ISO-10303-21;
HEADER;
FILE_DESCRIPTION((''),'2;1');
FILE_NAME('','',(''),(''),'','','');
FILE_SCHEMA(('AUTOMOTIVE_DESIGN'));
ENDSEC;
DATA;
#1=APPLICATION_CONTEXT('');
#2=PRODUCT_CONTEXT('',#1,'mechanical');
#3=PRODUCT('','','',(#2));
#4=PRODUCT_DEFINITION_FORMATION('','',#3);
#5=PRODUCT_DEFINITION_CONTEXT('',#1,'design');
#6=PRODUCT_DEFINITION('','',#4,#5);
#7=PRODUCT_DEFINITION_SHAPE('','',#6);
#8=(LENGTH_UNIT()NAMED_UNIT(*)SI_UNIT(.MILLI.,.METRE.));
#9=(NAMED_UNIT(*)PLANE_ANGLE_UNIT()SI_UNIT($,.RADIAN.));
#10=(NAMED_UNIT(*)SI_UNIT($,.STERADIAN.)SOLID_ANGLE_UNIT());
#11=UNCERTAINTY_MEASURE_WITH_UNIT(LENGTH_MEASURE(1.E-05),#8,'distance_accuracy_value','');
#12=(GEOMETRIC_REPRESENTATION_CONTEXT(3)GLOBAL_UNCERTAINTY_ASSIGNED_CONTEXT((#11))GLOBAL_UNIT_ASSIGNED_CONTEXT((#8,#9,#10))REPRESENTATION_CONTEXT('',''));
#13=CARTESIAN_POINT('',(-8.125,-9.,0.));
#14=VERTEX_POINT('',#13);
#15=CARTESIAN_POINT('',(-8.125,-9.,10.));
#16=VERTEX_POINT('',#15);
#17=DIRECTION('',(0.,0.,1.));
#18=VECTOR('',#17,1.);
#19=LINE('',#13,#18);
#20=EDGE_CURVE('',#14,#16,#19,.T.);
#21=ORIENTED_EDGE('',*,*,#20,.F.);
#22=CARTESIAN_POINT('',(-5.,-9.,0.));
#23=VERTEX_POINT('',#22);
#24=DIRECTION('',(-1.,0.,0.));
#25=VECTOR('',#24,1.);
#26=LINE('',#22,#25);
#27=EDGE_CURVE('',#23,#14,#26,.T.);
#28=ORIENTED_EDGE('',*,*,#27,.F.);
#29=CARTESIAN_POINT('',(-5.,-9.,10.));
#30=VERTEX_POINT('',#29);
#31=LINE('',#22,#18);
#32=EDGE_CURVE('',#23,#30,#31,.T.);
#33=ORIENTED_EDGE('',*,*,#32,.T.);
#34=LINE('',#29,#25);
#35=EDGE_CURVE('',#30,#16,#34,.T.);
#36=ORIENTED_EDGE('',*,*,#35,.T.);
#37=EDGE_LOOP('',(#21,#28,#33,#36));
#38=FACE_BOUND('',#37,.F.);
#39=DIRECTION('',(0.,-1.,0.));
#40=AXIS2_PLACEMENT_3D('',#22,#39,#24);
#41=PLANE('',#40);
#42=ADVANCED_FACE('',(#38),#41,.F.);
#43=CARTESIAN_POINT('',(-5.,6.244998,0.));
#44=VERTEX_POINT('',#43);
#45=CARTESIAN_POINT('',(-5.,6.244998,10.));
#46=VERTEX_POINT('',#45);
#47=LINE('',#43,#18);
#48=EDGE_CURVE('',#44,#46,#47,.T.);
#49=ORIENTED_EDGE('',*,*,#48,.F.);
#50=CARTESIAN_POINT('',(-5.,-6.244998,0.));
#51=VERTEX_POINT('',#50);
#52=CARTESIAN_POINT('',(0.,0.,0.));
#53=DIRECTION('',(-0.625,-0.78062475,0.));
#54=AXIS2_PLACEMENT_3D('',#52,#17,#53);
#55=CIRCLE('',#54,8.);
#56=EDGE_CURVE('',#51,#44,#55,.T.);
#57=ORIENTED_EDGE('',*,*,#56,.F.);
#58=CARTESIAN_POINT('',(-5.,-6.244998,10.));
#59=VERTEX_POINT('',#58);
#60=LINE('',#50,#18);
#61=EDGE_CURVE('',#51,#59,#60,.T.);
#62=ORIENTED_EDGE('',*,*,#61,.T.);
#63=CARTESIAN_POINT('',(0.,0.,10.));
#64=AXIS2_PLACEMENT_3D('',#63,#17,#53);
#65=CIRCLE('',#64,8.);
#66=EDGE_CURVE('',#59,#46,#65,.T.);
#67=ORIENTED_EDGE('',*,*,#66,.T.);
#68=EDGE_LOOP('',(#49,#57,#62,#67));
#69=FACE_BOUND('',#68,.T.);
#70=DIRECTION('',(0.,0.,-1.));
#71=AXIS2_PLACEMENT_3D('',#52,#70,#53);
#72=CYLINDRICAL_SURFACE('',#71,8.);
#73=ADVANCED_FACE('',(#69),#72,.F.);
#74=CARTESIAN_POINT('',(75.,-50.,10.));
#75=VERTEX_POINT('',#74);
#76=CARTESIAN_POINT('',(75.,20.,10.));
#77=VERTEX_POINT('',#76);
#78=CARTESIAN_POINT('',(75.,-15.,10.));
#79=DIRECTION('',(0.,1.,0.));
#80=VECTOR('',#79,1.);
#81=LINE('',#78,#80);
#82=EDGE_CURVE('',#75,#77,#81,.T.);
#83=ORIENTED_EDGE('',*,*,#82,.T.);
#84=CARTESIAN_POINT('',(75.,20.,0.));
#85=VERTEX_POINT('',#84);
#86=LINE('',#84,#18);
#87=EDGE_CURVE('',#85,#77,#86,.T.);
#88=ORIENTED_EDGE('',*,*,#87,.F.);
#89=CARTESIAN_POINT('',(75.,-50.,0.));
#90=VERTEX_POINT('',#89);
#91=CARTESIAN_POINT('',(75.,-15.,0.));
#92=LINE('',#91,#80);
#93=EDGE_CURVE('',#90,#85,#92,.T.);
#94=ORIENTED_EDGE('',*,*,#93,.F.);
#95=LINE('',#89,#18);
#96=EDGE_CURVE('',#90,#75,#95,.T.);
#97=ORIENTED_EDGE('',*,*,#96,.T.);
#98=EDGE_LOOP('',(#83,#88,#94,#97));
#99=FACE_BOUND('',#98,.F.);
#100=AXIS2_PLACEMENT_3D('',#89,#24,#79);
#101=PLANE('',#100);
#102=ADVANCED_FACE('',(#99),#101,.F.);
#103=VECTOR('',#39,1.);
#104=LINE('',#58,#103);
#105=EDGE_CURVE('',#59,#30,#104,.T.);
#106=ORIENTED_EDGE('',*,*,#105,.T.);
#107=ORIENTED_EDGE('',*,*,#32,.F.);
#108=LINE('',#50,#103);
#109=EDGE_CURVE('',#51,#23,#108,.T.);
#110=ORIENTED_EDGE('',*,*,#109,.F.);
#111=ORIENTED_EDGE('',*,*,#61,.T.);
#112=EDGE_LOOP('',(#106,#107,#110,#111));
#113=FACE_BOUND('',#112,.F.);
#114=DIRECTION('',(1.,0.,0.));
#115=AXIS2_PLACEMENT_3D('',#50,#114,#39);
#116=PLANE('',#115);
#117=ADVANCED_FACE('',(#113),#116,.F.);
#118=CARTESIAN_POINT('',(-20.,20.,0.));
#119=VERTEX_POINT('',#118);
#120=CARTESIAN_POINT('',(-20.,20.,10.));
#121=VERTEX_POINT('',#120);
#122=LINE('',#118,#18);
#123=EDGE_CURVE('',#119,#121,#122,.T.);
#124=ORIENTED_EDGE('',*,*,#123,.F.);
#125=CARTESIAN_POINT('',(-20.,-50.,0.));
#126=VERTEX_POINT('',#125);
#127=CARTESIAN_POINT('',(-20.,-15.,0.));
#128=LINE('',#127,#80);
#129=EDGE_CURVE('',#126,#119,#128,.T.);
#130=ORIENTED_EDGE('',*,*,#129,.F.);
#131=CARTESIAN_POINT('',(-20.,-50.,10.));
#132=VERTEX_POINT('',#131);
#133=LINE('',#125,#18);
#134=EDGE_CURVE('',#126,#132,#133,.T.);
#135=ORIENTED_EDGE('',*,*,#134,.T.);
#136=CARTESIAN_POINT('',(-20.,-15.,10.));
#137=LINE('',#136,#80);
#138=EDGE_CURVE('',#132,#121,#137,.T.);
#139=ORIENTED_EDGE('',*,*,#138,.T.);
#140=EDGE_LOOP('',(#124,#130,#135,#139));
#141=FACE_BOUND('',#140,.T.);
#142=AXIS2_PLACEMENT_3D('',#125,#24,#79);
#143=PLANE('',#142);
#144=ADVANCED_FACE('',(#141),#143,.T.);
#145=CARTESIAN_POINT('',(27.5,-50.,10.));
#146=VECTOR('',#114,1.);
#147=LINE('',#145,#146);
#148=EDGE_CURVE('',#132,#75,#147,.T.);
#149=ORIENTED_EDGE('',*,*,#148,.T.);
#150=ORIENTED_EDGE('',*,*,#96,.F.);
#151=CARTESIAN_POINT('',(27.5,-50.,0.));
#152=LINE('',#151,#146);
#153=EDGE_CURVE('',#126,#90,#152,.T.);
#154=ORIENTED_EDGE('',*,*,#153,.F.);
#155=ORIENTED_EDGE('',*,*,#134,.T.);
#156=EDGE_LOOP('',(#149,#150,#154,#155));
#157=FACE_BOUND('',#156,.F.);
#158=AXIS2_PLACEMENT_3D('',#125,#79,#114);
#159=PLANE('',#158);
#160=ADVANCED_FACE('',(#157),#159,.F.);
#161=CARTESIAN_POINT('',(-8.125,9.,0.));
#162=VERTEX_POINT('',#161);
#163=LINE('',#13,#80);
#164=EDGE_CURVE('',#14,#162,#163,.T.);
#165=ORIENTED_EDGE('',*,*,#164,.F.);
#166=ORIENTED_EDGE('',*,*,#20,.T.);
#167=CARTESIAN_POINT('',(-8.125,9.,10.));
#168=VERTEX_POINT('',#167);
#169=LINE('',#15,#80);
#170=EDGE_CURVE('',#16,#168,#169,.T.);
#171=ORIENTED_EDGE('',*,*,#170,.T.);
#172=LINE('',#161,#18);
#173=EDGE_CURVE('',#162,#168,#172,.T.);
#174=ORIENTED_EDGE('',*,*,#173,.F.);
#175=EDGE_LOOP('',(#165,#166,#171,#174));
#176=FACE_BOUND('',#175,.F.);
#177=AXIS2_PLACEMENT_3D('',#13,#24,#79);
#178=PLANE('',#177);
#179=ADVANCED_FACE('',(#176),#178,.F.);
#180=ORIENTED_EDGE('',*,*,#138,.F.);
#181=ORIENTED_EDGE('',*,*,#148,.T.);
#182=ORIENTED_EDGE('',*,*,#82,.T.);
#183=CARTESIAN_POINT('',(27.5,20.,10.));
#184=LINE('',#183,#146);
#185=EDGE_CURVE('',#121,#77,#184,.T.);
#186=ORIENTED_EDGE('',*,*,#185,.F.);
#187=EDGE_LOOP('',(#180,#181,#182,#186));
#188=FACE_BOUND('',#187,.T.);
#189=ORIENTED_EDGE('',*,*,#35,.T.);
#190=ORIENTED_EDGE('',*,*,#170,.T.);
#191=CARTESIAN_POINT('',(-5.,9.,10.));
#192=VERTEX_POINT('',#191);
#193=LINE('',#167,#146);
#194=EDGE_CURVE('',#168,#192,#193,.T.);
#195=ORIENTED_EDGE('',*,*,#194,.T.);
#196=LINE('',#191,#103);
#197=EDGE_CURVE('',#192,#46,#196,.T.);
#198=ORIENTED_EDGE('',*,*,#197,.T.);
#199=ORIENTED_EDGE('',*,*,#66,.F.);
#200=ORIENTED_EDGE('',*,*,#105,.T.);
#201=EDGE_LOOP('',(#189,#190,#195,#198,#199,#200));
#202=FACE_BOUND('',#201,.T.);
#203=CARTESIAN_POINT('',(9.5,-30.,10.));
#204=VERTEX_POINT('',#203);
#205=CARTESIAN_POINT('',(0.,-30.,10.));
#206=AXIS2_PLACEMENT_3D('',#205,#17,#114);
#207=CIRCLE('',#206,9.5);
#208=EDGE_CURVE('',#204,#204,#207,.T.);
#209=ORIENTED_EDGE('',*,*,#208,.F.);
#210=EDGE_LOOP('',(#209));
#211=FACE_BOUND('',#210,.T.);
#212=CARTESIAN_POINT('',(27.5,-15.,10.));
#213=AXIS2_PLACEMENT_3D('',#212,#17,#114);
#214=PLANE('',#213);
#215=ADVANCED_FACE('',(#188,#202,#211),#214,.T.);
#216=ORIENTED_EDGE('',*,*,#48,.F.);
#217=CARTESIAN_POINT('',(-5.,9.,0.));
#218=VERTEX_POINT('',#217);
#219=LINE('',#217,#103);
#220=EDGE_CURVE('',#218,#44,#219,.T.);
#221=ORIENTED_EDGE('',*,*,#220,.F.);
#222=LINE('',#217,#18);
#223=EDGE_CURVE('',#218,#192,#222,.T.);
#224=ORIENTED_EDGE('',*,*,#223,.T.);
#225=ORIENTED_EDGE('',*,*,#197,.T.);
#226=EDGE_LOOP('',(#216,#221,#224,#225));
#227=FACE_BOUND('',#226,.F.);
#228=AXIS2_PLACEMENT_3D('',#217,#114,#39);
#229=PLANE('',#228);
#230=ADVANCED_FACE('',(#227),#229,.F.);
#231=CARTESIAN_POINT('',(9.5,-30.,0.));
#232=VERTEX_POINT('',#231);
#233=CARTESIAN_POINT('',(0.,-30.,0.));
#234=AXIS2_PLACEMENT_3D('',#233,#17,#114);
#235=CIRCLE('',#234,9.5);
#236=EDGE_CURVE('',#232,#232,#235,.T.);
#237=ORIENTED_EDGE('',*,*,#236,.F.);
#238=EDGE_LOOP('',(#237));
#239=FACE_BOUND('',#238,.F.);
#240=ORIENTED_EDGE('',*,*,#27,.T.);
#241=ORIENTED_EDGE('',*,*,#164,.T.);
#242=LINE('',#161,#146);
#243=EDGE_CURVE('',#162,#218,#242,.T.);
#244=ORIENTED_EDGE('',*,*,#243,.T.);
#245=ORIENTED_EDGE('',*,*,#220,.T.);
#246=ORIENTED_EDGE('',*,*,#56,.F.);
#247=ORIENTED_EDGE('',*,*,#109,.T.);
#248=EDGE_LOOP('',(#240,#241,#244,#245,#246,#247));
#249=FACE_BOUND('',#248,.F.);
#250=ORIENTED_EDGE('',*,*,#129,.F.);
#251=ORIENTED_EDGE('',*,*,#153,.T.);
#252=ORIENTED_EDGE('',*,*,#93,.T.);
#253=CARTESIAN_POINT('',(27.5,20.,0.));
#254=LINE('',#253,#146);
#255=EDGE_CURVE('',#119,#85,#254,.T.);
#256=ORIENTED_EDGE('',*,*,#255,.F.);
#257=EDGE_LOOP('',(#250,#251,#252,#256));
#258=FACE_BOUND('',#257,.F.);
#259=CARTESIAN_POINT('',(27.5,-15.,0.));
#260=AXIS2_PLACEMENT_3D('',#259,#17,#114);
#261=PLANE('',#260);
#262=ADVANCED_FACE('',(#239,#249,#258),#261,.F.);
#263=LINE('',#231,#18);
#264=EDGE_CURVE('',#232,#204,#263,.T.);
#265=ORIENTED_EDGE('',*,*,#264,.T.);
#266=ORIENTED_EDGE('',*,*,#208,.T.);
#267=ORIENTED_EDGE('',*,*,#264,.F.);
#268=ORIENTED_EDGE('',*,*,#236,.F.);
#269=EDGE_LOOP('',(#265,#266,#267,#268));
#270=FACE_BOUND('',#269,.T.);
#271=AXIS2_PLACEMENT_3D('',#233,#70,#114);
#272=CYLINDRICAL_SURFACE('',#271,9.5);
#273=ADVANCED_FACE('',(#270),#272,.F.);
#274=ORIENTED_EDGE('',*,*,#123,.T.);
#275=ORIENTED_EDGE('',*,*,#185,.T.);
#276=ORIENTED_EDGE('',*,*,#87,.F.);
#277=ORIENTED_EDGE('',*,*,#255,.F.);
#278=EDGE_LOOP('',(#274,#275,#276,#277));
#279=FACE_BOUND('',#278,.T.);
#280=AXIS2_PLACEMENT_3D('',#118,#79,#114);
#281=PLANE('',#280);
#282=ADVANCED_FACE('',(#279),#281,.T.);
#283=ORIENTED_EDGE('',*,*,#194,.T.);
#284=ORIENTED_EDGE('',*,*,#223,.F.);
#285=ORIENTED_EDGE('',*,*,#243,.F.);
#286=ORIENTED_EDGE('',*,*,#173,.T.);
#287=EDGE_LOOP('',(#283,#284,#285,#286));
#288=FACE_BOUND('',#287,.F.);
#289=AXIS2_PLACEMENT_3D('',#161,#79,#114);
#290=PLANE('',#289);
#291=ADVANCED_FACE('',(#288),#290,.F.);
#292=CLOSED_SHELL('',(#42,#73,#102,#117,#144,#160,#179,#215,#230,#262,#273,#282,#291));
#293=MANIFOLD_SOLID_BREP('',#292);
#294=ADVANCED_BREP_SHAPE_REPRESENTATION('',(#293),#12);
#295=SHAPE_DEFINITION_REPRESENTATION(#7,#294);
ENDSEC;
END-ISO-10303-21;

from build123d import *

# Parameters (mm, degrees)
SKETCH_W  = 95
SKETCH_H  = 70
SKETCH_R  = 9.5
PAD_DEPTH = 10


with BuildPart() as part:
    # Sketch → Pad (new body)
    with BuildSketch(Plane.XY):
        with Locations((27.5, -15)):
            Rectangle(SKETCH_W, SKETCH_H)
        with Locations((0, -30)):
            Circle(SKETCH_R, mode=Mode.SUBTRACT)
        with BuildLine():
            ThreePointArc((-5, -6.244998), (8, 0), (-5, 6.244998))
            Line((-5, 9), (-5, 6.244998))
            Line((-8.125, 9), (-5, 9))
            Line((-8.125, -9), (-8.125, 9))
            Line((-5, -9), (-8.125, -9))
            Line((-5, -6.244998), (-5, -9))
        make_face(mode=Mode.SUBTRACT)
    extrude(amount=PAD_DEPTH)


solid = part.part
